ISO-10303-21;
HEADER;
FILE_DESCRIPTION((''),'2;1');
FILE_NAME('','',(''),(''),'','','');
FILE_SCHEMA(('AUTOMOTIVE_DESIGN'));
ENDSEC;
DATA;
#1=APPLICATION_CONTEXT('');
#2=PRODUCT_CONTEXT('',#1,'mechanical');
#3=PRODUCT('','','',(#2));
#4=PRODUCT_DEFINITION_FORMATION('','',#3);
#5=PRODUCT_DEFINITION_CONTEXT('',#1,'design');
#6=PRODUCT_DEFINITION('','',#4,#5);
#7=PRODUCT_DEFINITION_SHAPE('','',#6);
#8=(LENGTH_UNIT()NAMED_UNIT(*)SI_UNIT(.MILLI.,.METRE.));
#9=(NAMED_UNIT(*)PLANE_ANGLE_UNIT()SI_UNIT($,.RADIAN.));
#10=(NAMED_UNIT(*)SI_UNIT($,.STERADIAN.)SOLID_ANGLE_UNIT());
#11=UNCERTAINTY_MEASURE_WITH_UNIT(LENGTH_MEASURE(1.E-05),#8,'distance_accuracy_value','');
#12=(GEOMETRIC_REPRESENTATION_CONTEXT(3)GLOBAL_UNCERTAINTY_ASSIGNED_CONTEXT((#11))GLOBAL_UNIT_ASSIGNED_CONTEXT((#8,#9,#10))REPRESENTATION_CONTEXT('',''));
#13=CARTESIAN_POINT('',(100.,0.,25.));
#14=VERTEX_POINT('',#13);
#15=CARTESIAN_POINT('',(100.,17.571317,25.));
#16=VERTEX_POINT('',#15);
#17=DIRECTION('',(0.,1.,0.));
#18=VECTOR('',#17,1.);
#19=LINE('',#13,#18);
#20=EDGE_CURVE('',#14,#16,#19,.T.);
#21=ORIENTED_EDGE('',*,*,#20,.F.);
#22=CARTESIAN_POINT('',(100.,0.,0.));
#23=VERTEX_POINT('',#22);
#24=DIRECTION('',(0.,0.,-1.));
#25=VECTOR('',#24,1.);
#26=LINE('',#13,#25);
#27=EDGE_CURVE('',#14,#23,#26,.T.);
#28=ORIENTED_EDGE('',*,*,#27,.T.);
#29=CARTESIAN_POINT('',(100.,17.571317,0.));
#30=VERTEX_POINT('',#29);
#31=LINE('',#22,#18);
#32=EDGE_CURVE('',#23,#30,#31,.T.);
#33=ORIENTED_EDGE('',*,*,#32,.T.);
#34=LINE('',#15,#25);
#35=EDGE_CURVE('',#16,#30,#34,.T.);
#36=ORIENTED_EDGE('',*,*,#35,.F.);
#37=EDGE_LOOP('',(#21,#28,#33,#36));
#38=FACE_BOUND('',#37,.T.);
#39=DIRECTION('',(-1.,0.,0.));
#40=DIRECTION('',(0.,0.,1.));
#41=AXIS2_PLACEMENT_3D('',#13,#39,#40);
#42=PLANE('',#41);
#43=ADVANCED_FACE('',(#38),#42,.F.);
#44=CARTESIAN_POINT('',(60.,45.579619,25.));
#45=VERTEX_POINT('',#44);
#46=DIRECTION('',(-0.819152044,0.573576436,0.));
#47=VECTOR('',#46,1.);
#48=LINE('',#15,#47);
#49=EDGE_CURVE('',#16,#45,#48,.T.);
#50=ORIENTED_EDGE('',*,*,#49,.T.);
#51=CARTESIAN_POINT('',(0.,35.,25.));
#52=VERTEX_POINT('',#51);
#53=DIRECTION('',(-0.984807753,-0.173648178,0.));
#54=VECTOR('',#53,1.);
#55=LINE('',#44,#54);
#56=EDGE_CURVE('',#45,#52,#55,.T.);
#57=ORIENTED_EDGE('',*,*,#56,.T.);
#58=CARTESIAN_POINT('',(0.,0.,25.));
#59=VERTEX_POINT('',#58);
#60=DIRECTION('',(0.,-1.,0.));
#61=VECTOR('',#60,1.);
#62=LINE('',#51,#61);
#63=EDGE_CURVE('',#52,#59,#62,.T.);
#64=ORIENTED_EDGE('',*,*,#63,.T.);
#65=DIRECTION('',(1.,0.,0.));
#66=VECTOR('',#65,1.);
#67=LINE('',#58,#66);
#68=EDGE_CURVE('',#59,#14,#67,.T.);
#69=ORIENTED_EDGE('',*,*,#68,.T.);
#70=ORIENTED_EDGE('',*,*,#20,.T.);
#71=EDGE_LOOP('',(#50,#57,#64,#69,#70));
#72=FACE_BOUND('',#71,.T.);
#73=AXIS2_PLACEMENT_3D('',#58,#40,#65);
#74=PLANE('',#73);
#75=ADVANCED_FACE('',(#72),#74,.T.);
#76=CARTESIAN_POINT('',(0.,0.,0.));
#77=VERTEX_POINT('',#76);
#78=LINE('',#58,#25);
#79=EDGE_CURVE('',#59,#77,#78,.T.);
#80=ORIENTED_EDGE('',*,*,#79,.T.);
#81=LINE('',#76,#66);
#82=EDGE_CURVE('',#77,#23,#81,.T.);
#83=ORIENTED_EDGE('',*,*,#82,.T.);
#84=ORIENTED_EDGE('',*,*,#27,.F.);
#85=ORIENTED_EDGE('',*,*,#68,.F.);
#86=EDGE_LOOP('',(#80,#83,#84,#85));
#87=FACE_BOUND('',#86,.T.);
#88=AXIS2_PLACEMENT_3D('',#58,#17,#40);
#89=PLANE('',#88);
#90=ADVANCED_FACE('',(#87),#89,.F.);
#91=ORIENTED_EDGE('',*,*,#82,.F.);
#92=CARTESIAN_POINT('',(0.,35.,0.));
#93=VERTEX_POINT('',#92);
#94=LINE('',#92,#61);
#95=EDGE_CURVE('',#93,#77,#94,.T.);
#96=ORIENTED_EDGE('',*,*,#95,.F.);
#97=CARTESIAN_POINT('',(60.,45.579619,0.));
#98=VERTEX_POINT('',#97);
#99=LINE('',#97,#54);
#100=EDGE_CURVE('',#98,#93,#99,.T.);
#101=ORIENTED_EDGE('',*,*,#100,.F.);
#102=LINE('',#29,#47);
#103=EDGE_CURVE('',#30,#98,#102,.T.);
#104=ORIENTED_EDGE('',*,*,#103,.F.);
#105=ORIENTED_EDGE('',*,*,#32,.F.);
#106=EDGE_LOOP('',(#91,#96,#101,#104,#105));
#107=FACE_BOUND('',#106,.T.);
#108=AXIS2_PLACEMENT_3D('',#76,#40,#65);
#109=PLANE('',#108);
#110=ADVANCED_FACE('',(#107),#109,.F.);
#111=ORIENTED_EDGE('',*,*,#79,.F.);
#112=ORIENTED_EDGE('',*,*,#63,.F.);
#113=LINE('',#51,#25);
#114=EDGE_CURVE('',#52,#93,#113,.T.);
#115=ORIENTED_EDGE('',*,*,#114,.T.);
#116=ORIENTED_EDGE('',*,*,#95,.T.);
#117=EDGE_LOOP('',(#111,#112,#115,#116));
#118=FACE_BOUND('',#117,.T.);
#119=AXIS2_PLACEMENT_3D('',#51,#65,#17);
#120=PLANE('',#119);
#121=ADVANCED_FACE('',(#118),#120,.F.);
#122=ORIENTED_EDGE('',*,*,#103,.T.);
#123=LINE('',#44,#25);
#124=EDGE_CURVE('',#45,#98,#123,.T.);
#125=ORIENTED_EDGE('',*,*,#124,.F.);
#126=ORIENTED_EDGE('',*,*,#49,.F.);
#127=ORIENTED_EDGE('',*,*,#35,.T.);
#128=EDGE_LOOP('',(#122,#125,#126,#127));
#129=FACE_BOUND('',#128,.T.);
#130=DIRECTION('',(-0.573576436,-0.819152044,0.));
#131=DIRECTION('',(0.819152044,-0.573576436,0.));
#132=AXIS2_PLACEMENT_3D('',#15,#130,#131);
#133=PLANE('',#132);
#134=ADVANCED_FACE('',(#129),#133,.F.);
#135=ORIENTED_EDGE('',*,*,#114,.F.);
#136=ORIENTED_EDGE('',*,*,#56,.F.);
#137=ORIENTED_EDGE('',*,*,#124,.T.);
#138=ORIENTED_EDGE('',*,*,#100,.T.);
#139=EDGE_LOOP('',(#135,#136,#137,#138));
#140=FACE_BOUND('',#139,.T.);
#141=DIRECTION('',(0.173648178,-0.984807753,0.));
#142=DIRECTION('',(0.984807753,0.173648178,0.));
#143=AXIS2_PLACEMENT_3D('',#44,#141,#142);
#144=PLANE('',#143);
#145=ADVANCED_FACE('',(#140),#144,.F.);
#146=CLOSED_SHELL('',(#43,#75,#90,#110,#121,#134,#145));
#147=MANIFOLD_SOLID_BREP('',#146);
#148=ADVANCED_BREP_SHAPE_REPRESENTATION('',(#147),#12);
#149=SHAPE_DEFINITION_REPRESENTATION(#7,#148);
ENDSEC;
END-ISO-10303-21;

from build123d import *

# Parameters (mm, degrees)
BOSS_EXTRUDE1_DEPTH = 25


with BuildPart() as part:
    # Sketch1 → Boss-Extrude1 (new body)
    with BuildSketch(Plane.XY):
        Polygon((0, 0), (100, 0), (100, 17.571317314), (60, 45.579618843), (0, 35), align=None)
    extrude(amount=BOSS_EXTRUDE1_DEPTH)


solid = part.part
